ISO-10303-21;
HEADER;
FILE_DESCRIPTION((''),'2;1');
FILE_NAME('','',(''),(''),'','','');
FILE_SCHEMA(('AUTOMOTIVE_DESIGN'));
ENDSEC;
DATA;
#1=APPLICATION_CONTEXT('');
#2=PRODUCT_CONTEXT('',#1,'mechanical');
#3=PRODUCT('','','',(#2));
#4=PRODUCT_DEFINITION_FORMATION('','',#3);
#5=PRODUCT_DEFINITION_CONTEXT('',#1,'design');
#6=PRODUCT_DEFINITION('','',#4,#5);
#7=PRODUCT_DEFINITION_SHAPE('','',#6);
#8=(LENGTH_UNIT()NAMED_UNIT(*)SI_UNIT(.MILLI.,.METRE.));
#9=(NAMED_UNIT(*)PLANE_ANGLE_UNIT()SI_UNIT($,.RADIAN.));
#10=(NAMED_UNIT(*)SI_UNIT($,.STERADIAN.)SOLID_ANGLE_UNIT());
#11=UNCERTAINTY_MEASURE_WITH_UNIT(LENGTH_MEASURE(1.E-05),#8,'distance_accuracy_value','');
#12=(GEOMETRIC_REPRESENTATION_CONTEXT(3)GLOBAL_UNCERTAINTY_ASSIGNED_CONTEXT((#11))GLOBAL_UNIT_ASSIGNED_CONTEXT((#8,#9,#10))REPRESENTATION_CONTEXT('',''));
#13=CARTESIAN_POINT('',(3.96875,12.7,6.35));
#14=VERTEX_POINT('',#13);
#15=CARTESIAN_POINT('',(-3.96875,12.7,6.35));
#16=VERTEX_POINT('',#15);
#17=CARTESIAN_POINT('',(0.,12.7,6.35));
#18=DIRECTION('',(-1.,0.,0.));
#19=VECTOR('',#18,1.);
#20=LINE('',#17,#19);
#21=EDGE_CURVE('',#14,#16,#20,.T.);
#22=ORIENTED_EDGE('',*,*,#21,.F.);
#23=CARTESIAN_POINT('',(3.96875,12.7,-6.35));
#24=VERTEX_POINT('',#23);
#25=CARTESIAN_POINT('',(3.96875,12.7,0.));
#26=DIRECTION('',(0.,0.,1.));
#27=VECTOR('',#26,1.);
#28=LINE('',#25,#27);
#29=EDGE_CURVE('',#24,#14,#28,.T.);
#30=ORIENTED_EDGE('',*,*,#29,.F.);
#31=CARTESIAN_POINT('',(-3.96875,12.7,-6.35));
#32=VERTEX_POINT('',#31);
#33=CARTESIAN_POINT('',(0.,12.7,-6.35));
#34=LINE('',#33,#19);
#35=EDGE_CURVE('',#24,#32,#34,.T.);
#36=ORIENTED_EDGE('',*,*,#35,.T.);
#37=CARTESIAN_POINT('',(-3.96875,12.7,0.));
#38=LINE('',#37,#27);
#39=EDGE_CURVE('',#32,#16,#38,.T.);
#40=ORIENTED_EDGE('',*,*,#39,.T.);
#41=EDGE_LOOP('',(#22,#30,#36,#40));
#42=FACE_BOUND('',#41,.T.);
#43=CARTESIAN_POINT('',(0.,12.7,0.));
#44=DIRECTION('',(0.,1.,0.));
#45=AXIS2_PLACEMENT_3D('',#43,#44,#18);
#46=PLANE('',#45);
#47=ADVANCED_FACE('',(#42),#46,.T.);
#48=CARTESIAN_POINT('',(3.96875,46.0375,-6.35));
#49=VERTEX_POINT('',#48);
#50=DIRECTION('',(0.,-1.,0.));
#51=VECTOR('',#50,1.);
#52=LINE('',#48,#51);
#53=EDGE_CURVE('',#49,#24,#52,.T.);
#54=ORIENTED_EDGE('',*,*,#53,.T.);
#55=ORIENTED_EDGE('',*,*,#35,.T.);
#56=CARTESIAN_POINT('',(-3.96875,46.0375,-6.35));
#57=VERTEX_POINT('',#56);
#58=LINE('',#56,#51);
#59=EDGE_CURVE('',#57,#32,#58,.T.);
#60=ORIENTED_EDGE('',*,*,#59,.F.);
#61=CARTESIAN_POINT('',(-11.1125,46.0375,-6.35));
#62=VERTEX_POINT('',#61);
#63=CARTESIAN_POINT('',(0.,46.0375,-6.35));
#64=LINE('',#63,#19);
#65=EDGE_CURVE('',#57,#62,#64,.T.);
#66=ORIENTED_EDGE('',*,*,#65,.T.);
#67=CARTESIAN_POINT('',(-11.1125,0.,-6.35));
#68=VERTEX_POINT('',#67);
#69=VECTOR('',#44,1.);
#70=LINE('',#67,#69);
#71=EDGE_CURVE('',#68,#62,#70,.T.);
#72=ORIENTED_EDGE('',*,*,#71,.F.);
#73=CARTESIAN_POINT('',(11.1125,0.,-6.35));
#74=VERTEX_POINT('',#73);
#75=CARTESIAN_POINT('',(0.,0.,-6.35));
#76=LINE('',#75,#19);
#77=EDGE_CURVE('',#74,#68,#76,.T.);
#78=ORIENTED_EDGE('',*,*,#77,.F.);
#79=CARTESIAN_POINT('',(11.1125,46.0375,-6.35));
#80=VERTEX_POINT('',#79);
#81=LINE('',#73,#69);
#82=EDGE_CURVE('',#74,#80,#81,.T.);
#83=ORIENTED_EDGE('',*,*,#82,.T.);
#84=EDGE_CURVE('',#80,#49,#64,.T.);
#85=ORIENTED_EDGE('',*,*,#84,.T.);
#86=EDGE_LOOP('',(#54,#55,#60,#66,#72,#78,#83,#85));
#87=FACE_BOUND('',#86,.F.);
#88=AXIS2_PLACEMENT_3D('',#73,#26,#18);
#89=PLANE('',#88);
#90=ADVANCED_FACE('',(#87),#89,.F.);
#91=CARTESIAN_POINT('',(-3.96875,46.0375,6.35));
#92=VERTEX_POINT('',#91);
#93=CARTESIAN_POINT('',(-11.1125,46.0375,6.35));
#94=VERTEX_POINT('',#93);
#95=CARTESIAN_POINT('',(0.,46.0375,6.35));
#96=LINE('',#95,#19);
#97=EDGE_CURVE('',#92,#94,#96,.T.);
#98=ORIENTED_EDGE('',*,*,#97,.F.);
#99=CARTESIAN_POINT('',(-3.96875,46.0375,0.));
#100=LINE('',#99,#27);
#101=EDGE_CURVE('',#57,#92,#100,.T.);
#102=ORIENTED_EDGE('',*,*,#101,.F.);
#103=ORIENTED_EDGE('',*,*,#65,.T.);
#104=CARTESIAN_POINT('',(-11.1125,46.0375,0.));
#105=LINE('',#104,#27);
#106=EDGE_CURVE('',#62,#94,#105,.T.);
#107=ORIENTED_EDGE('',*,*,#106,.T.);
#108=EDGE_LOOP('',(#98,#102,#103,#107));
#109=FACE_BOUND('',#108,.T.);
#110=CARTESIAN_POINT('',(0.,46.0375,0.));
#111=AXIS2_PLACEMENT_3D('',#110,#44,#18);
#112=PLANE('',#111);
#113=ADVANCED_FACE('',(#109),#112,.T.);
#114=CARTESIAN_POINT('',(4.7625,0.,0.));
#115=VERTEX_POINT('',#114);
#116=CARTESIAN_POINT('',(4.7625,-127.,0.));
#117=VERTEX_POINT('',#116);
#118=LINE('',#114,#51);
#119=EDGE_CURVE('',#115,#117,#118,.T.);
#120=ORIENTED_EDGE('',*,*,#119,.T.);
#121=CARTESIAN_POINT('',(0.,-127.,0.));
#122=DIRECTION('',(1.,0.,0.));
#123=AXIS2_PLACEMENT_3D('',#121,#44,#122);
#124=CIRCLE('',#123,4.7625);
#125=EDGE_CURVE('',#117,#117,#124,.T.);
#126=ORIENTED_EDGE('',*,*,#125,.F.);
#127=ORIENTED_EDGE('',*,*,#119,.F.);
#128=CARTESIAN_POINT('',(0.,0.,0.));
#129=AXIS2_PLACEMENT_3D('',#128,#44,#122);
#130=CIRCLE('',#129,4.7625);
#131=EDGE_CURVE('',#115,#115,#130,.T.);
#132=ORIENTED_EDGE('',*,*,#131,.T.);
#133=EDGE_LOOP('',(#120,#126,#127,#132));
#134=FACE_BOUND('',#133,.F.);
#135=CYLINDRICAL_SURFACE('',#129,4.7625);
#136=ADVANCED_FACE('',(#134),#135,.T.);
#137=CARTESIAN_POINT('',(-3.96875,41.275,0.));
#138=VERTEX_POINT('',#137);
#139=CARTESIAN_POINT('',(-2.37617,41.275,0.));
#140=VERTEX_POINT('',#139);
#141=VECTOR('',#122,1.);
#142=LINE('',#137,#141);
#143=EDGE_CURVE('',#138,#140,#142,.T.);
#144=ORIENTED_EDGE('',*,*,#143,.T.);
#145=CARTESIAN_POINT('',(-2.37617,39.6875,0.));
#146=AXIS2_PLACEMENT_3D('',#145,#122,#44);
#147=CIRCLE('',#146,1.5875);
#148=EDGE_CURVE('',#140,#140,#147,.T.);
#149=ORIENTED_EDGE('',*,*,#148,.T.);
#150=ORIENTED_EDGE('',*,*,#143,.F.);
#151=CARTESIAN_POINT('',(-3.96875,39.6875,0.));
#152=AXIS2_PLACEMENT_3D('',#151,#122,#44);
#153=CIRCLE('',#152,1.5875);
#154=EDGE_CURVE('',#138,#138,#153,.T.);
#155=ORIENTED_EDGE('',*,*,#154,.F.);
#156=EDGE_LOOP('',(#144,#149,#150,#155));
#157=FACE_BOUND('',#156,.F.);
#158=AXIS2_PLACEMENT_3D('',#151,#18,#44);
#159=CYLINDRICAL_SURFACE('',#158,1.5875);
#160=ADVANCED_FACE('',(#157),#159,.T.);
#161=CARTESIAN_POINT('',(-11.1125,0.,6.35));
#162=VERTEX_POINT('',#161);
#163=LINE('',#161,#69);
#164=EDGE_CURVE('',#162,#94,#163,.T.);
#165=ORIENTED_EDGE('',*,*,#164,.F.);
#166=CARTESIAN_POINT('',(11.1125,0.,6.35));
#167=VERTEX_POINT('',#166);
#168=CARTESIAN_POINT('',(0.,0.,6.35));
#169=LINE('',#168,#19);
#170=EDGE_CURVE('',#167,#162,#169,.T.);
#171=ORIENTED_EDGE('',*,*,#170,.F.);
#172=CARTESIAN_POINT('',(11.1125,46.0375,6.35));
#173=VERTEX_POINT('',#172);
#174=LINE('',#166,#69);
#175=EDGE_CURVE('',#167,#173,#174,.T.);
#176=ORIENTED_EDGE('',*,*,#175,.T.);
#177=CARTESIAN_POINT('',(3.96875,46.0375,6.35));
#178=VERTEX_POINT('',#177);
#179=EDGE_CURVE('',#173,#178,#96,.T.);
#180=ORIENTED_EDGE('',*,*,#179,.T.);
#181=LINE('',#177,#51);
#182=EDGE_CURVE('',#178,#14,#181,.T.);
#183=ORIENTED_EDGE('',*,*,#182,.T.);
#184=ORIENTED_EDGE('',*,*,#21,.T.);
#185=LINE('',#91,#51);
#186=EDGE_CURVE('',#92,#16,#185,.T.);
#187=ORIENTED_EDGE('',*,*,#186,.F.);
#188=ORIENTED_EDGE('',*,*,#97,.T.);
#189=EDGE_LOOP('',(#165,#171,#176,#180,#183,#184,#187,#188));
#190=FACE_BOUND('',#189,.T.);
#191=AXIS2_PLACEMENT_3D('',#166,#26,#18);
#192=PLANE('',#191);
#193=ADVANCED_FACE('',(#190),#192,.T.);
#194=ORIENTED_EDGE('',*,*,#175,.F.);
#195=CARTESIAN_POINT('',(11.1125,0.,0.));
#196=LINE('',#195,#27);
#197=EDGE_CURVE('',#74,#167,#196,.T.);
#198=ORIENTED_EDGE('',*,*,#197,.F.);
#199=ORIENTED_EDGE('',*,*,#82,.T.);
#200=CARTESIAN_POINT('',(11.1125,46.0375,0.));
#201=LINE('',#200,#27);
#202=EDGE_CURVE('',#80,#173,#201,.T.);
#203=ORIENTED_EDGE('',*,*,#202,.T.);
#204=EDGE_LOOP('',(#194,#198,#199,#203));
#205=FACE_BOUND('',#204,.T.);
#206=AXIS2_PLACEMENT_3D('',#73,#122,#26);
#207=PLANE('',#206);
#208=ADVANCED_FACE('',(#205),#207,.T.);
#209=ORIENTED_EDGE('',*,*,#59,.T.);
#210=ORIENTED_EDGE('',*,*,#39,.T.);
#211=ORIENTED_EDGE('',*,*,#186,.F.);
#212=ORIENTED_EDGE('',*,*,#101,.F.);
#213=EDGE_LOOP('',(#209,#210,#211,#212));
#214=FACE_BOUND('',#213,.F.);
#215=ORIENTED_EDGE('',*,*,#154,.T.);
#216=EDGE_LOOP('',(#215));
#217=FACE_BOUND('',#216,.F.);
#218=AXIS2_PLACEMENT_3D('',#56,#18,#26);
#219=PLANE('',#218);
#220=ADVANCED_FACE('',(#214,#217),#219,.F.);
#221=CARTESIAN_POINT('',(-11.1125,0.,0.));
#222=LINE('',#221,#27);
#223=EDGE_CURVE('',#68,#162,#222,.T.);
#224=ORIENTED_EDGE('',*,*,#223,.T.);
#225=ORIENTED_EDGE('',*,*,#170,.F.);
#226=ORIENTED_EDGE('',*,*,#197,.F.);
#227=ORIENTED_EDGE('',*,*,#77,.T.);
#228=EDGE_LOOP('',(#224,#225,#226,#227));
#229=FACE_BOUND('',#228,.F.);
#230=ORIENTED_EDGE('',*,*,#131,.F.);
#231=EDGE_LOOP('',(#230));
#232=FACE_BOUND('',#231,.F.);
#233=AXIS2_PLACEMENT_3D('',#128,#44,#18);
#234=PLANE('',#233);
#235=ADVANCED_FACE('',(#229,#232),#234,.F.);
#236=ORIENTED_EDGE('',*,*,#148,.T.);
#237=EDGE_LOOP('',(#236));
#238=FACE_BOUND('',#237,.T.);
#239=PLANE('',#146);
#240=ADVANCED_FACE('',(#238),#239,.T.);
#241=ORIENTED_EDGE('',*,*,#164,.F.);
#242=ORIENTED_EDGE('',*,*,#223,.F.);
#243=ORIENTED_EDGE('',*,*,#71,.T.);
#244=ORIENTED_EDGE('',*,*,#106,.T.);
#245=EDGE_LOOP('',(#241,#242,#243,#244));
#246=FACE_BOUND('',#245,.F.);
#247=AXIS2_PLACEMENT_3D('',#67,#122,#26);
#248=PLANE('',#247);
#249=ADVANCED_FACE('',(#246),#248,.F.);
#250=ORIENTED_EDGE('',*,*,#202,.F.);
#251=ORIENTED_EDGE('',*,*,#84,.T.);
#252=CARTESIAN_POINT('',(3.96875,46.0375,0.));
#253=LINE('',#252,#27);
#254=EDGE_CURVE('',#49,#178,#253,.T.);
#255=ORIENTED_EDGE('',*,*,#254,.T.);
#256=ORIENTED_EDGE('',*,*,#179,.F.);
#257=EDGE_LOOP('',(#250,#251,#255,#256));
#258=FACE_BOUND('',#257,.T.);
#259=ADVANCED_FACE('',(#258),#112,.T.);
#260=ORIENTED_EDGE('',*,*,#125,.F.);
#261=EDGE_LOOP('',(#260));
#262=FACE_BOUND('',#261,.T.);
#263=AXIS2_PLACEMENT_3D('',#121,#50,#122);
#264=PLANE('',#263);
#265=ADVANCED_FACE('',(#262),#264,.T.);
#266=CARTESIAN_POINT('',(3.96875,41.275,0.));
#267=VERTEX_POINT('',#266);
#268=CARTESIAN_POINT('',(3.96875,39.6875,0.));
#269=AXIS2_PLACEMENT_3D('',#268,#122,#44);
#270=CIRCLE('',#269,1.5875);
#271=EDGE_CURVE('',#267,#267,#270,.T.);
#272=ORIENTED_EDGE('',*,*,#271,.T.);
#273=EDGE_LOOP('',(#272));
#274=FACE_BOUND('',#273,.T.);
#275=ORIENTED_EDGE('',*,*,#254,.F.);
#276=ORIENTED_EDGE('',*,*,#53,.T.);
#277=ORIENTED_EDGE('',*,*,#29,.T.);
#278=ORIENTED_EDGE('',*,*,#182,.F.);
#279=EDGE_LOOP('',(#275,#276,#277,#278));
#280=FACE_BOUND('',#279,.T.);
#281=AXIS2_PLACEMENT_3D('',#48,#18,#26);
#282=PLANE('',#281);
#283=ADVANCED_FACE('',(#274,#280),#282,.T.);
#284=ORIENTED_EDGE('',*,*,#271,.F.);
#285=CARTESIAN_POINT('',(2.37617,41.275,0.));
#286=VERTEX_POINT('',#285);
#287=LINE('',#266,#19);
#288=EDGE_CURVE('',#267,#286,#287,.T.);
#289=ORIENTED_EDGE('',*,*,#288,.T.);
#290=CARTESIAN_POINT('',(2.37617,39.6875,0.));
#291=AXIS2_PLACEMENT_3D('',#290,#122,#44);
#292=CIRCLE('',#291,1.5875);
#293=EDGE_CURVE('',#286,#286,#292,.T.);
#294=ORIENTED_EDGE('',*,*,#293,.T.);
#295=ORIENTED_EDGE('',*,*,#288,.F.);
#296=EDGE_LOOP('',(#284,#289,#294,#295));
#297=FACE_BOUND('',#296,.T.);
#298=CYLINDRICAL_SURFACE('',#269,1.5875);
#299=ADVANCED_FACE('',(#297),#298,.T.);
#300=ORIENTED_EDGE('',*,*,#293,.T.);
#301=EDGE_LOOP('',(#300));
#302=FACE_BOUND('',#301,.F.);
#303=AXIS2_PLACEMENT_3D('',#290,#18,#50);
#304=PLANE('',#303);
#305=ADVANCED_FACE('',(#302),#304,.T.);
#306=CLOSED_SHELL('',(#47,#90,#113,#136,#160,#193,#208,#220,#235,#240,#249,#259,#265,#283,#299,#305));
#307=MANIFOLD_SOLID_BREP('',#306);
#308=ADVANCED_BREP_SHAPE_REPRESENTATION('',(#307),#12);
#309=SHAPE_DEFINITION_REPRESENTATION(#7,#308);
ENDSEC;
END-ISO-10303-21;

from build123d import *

# Parameters (mm, degrees)
F0_R     = 4.7625
F1_DEPTH = 127
F2_W     = 22.225
F2_H     = 12.7
F3_DEPTH = 46.0375
F4_W     = 7.9375
F4_H     = 12.7
F5_DEPTH = 33.3375
F6_R     = 1.5875
F7_DEPTH = 1.59258


with BuildPart() as f1:
    # F0 (on Front) → F1 (new body)
    with BuildSketch(Plane.XZ):
        Circle(F0_R)
    extrude(amount=F1_DEPTH)

    # F2 (on face) → F3 (join)
    with BuildSketch(Plane(origin=(0, 0, 0), x_dir=(-1, 0, 0), z_dir=(0, 1, 0))):
        Rectangle(F2_W, F2_H)
    extrude(amount=F3_DEPTH)

    # F4 (on face) → F5 (cut)
    with BuildSketch(Plane(origin=(0, 46.0375, 0), x_dir=(-1, 0, 0), z_dir=(0, 1, 0))):
        Rectangle(F4_W, F4_H)
    extrude(amount=-F5_DEPTH, mode=Mode.SUBTRACT)

    # F6 (on face) → F7 (join)
    with BuildSketch(Plane.YZ.offset(-3.96875)):
        with Locations((39.6875, 0)):
            Circle(F6_R)
    extrude(amount=F7_DEPTH)

    # F8: F1 across plane


with BuildPart() as f1_1:
    add(f1.part)
    add(f1.part.mirror(Plane.YZ))


solid = f1_1.part
